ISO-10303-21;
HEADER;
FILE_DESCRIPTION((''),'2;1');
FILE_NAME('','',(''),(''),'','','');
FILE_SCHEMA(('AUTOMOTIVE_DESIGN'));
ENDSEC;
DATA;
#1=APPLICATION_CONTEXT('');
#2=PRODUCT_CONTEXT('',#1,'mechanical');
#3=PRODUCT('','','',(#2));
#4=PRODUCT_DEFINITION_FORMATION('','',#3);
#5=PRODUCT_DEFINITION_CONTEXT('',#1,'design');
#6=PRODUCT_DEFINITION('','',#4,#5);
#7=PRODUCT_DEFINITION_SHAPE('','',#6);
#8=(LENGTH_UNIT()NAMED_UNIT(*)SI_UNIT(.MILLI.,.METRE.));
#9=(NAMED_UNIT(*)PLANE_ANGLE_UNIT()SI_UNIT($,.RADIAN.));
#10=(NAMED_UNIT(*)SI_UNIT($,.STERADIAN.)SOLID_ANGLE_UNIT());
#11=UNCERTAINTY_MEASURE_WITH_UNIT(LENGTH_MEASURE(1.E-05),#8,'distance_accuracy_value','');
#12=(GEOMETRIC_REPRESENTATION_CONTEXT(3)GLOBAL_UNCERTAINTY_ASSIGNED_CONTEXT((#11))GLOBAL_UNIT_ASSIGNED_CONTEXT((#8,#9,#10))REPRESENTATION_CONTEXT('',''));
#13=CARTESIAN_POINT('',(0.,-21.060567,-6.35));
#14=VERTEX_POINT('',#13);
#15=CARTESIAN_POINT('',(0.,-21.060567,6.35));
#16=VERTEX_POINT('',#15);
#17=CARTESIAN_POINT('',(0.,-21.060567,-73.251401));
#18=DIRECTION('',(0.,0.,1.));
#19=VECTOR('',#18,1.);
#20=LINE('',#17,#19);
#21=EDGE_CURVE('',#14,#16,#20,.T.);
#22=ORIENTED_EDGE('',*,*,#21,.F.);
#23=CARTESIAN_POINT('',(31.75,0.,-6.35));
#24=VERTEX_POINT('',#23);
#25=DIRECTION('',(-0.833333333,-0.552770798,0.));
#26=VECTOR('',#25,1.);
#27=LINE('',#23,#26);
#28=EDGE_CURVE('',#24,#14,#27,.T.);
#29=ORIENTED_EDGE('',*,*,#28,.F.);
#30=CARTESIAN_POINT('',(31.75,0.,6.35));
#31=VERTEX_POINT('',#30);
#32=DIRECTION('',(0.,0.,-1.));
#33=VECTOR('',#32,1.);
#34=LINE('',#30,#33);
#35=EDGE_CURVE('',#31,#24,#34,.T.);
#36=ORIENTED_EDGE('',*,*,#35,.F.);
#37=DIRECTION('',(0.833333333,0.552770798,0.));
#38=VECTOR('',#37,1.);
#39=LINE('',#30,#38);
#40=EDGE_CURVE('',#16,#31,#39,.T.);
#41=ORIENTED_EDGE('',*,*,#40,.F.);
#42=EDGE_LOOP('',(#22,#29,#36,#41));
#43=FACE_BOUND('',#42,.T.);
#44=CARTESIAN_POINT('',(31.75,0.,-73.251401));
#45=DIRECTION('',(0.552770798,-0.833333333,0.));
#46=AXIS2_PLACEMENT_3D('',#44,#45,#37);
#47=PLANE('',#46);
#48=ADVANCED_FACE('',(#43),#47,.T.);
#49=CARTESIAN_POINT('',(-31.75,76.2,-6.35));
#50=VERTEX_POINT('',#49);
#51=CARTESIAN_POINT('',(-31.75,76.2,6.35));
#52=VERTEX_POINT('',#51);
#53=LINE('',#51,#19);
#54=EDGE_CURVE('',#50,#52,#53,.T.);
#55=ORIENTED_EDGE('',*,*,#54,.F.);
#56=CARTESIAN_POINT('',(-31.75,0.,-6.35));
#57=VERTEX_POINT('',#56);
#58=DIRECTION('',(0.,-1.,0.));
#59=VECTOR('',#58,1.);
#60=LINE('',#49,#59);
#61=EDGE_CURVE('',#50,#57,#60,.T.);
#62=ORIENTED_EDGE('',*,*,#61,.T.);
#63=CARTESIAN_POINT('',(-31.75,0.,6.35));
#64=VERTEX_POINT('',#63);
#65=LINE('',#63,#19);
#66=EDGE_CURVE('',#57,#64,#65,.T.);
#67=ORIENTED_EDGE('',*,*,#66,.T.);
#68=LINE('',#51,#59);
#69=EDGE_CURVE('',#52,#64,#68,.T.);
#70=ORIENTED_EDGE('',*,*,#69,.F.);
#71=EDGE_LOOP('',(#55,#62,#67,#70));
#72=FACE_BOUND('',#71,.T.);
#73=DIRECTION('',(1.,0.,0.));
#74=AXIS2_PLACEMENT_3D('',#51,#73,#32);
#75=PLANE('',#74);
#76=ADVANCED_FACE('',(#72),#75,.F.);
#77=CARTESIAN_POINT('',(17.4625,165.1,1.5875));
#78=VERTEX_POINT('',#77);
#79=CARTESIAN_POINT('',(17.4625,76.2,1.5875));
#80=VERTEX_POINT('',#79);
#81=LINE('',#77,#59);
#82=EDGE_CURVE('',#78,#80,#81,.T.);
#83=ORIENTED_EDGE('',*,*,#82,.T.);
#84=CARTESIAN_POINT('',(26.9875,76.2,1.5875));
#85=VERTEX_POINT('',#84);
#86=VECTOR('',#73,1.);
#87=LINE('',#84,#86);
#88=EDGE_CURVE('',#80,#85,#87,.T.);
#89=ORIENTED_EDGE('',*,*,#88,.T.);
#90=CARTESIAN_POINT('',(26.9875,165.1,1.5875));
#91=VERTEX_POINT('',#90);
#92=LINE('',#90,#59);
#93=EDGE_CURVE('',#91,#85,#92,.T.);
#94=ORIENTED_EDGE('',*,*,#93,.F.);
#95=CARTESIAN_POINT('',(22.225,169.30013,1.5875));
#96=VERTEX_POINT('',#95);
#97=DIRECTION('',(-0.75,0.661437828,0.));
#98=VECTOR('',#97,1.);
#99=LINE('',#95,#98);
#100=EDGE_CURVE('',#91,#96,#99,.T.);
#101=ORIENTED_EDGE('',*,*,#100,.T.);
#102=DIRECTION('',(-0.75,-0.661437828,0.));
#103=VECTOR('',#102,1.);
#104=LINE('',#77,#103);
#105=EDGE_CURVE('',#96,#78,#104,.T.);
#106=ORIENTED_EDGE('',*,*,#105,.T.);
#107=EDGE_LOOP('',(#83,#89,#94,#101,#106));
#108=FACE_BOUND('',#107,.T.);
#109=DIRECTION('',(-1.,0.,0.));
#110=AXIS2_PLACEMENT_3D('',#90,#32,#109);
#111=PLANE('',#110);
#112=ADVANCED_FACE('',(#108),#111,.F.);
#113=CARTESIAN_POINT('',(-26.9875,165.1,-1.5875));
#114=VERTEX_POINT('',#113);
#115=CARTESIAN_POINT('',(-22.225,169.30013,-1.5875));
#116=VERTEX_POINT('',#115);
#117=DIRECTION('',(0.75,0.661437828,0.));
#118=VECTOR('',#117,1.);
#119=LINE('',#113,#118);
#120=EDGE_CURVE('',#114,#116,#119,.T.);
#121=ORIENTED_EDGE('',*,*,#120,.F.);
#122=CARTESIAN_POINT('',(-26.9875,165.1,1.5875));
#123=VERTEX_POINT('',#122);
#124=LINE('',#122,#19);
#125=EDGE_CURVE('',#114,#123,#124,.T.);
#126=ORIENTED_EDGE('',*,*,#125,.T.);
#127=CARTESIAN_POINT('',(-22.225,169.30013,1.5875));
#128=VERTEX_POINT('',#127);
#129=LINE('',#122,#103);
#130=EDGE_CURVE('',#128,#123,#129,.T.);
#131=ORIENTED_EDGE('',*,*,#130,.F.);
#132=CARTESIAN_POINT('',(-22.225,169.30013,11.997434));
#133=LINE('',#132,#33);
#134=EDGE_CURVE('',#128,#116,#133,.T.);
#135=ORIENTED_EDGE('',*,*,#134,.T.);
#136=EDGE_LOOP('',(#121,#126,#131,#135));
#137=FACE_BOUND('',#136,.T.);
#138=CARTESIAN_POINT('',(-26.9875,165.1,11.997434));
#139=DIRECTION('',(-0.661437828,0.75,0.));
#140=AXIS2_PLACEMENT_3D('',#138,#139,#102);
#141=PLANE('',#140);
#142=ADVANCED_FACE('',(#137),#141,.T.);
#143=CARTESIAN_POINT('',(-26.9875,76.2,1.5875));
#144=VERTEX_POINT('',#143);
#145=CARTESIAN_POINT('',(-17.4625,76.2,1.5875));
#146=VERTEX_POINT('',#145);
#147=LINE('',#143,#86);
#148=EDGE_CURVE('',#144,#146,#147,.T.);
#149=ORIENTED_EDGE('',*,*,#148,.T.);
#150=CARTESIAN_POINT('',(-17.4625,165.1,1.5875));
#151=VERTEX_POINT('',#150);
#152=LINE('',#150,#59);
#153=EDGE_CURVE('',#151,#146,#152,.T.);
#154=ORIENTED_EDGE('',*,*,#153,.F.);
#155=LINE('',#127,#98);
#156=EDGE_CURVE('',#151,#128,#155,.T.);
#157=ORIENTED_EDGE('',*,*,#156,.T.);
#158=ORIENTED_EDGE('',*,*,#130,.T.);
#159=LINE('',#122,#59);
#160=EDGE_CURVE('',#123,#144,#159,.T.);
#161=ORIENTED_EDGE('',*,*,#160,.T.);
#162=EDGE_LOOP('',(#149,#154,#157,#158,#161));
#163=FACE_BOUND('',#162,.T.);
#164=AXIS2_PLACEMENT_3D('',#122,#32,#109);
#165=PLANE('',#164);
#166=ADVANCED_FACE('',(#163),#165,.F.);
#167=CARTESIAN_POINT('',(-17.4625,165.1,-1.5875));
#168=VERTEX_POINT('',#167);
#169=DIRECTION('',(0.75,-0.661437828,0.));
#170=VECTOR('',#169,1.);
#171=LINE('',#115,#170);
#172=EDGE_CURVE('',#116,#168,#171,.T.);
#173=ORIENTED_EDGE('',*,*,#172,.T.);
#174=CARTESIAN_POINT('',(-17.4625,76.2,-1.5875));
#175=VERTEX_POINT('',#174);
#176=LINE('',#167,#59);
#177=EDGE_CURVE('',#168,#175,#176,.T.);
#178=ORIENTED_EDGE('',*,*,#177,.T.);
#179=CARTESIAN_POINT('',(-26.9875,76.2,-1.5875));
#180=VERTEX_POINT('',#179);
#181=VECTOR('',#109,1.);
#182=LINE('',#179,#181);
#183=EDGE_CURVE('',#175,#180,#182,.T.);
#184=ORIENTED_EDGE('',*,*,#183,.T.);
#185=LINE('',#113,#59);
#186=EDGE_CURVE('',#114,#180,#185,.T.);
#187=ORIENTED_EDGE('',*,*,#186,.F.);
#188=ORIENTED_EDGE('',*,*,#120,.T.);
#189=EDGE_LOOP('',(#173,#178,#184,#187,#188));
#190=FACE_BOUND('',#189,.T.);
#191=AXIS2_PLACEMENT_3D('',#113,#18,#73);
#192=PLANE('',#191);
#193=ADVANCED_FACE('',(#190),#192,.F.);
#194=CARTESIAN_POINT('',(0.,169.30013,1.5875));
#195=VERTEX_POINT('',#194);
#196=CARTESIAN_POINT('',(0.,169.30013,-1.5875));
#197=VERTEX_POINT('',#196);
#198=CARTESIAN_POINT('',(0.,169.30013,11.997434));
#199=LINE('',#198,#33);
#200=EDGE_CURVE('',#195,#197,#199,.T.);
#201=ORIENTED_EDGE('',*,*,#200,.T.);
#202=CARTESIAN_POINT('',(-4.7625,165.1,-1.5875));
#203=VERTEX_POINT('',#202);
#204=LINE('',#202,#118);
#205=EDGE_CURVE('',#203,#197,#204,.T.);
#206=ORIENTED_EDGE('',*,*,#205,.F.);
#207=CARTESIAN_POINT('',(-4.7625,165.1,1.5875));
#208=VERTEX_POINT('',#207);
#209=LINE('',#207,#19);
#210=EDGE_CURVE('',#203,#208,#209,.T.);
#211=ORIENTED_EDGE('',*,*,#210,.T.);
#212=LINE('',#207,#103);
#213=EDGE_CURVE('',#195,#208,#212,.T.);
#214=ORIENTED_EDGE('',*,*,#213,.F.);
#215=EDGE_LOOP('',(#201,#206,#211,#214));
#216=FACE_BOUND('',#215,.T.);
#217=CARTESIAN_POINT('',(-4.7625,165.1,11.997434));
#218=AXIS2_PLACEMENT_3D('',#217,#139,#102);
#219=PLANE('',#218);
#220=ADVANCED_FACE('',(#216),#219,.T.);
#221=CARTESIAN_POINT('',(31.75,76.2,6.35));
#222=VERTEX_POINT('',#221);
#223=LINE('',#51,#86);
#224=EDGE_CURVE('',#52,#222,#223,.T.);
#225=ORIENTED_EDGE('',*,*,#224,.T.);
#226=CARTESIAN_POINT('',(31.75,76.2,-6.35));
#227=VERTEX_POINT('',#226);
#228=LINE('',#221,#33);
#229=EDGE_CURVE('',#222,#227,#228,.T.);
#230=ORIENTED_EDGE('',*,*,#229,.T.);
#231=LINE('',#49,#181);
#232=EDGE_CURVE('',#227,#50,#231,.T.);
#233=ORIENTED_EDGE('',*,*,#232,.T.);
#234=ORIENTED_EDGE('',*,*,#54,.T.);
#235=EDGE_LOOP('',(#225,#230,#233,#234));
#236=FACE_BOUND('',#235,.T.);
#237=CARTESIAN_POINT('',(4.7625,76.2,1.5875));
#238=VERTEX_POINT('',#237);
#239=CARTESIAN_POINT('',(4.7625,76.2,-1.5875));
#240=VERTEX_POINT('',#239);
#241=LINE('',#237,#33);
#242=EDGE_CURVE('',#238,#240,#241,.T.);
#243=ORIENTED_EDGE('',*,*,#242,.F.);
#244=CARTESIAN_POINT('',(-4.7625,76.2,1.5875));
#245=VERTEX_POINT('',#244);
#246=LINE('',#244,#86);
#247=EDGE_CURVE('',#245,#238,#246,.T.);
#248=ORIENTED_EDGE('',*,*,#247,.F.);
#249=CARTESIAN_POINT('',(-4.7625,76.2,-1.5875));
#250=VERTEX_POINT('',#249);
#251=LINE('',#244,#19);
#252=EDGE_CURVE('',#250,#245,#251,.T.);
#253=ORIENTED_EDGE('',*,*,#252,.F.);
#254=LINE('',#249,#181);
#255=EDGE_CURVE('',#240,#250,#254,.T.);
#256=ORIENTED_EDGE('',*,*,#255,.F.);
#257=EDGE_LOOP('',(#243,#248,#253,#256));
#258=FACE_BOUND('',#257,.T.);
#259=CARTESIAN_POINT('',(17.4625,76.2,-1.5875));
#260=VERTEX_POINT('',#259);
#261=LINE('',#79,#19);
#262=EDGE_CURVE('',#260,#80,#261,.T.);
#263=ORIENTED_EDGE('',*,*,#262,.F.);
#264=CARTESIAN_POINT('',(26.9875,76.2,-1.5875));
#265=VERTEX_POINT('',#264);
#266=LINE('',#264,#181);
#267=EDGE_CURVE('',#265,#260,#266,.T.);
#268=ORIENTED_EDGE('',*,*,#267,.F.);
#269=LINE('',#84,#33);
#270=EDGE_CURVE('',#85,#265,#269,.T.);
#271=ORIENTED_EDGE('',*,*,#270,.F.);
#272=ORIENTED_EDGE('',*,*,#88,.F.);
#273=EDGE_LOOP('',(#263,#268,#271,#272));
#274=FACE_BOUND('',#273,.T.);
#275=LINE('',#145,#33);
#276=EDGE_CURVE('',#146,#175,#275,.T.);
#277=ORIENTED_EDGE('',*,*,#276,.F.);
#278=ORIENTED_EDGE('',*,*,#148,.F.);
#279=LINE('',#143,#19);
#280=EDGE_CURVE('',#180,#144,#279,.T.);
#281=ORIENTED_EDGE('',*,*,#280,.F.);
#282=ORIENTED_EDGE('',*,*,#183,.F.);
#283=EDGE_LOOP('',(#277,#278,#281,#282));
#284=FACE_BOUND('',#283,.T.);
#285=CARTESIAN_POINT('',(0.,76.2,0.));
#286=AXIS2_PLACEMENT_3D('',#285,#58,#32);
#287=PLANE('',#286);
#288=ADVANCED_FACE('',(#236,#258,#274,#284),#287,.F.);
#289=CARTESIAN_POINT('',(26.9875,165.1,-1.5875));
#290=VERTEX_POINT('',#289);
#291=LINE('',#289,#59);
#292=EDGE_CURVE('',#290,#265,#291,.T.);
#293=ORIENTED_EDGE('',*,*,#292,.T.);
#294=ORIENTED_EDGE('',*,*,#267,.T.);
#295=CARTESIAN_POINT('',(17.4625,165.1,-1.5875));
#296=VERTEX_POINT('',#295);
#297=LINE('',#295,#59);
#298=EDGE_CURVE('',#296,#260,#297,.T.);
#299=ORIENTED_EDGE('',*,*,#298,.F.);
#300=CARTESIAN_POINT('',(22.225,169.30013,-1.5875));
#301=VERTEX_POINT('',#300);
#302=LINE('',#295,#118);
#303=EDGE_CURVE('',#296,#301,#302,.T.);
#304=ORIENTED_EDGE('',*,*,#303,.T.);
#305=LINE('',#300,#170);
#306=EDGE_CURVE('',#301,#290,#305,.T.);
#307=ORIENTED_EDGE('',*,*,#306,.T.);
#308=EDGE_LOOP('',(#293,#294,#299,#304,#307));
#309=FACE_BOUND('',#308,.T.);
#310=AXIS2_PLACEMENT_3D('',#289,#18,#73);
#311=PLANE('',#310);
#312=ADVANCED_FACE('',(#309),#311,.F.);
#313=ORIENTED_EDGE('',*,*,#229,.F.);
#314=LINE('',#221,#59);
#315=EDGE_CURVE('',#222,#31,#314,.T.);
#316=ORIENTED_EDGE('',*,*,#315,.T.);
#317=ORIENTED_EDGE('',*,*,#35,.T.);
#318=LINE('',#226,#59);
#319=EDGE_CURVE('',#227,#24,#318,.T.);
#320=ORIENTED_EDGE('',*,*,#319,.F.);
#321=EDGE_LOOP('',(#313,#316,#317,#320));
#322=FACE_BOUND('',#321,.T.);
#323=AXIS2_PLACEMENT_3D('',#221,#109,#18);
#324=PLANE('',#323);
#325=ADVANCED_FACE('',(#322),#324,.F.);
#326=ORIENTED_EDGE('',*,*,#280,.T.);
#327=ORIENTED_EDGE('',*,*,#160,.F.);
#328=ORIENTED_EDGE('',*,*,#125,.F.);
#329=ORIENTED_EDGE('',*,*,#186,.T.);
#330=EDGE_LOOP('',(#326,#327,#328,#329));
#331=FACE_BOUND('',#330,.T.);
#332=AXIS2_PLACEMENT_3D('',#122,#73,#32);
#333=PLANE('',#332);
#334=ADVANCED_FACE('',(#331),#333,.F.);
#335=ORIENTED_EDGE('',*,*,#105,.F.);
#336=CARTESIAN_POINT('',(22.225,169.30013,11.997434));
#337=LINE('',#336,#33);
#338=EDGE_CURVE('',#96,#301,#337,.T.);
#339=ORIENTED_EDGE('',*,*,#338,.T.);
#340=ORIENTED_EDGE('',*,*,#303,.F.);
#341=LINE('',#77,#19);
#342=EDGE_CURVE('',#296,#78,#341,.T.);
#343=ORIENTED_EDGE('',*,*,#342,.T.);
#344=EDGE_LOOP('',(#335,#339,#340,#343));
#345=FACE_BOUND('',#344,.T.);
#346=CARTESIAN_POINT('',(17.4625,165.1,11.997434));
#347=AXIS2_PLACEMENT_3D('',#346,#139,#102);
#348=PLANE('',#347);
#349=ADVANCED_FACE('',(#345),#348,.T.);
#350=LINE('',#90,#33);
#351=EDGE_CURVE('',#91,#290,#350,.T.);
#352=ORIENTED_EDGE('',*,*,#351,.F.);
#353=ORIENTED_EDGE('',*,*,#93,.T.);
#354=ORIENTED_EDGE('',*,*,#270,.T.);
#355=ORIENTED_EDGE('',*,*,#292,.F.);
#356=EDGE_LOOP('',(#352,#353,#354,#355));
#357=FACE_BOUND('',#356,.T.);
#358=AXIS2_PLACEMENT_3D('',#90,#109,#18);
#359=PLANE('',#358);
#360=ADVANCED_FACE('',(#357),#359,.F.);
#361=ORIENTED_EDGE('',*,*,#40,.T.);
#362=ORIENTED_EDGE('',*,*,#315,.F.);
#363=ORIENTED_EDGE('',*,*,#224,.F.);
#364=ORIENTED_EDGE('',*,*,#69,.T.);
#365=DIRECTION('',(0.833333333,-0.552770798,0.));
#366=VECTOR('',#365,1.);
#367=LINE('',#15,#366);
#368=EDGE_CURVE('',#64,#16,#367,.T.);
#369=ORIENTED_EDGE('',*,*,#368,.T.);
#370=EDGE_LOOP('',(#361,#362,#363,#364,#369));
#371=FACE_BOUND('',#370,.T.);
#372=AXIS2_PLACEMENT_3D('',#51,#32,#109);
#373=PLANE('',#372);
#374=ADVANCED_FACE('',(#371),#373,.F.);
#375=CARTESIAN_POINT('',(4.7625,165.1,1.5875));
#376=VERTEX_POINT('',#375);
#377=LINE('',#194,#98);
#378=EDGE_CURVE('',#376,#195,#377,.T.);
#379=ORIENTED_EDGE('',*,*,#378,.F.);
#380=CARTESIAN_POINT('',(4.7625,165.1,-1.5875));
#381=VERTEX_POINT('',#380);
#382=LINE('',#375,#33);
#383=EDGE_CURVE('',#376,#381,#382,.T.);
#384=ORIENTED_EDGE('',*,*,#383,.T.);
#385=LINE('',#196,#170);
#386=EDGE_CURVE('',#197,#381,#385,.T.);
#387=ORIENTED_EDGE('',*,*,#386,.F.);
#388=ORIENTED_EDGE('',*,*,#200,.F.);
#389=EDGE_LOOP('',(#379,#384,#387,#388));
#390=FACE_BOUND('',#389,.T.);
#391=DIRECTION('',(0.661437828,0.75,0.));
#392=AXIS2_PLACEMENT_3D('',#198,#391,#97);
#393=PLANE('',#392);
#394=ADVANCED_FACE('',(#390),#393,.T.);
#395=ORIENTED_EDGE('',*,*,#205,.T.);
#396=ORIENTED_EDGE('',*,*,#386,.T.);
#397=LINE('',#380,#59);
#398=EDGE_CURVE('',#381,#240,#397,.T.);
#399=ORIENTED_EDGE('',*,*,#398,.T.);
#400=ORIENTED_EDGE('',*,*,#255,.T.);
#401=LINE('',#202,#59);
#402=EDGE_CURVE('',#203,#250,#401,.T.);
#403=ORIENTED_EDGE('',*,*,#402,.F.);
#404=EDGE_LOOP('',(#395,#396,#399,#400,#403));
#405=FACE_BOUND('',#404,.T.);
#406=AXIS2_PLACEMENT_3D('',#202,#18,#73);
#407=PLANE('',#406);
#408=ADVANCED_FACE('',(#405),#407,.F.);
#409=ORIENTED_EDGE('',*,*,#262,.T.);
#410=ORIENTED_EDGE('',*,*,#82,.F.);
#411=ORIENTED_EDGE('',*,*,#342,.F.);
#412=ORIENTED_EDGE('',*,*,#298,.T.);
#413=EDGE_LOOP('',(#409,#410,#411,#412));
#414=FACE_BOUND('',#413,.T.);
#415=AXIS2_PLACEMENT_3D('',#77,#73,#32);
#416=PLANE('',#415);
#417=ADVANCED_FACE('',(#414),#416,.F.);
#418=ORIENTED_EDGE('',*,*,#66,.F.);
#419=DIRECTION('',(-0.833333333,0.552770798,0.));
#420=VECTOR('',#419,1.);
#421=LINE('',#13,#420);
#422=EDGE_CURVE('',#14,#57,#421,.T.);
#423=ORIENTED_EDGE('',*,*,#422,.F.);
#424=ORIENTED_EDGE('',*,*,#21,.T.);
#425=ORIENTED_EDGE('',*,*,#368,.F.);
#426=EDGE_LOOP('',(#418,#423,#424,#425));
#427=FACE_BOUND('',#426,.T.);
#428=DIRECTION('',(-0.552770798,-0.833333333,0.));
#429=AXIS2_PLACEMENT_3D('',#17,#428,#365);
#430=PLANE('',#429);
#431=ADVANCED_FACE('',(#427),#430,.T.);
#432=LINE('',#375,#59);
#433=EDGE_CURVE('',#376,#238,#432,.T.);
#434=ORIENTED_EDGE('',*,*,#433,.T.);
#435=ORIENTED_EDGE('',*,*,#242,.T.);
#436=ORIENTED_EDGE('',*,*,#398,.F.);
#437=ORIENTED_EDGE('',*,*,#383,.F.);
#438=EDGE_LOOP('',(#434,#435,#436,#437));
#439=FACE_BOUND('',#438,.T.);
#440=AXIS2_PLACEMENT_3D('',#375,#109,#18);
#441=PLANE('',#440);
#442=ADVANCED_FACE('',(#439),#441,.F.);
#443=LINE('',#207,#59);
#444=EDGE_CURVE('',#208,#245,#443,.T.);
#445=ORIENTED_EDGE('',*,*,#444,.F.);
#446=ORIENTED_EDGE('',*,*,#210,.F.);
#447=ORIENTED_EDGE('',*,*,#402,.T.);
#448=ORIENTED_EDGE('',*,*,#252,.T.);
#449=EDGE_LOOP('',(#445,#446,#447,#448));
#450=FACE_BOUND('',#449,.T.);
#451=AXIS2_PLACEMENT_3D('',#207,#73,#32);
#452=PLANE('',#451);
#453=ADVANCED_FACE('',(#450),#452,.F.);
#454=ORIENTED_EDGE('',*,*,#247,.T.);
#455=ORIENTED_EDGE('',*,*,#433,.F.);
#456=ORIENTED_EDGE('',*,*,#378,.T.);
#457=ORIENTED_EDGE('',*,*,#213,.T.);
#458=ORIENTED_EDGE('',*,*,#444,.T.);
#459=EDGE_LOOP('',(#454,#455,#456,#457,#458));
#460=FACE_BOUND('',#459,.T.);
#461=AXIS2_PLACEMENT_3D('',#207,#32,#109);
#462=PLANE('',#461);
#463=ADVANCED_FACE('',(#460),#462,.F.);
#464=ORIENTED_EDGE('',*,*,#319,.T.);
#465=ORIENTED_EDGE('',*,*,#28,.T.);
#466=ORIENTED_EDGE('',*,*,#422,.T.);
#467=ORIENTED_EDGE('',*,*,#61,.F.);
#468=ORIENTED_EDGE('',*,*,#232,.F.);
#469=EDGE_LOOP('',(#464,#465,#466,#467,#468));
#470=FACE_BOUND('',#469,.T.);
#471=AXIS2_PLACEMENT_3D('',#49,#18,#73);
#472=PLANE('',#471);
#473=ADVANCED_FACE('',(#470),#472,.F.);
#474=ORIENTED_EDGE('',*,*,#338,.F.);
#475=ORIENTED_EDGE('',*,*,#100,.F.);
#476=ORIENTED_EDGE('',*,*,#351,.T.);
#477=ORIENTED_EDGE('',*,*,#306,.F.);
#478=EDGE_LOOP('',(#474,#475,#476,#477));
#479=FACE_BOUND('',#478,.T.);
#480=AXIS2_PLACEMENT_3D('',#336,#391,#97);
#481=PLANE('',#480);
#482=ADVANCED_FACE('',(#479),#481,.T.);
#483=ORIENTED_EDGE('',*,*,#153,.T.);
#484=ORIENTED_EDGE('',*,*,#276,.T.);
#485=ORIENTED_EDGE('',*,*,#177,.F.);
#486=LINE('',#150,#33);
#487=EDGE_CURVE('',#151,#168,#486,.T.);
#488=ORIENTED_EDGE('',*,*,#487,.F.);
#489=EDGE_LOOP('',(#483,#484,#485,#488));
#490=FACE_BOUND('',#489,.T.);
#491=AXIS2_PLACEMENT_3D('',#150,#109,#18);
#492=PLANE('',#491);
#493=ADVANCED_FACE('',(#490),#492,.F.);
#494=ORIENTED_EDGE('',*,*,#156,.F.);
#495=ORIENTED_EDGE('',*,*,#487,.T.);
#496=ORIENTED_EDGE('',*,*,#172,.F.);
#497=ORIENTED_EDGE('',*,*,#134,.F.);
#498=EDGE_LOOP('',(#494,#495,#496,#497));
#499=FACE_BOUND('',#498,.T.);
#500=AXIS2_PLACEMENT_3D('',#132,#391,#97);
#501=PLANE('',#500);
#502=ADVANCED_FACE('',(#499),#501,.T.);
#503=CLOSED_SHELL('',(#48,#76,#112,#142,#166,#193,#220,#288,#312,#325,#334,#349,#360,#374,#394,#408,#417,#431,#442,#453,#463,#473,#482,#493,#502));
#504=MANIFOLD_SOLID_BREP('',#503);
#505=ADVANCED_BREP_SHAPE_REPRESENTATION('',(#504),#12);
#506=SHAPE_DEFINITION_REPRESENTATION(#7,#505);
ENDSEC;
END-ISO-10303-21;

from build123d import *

# Parameters (mm, degrees)
SKETCH1_W           = 63.5
SKETCH1_H           = 12.7
BOSS_EXTRUDE1_DEPTH = 76.2
SKETCH2_W           = 9.525
SKETCH2_H           = 3.175
BOSS_EXTRUDE2_DEPTH = 88.9
BOSS_EXTRUDE3_DEPTH = 3.175
BOSS_EXTRUDE4_DEPTH = 12.7


with BuildPart() as part:
    # Sketch1 → Boss-Extrude1 (new body)
    with BuildSketch(Plane(origin=(0, 0, 0), x_dir=(1, 0, 0), z_dir=(0, 1, 0))):
        Rectangle(SKETCH1_W, SKETCH1_H)
    extrude(amount=BOSS_EXTRUDE1_DEPTH)

    # Sketch2 → Boss-Extrude2 (add)
    with BuildSketch(Plane(origin=(0, 76.2, 0), x_dir=(1, 0, 0), z_dir=(0, 1, 0))):
        Rectangle(SKETCH2_W, SKETCH2_H)
        with Locations((-22.225, 0)):
            Rectangle(SKETCH2_W, SKETCH2_H)
        with Locations((22.225, 0)):
            Rectangle(SKETCH2_W, SKETCH2_H)
    extrude(amount=BOSS_EXTRUDE2_DEPTH)

    # Sketch3 → Boss-Extrude3 (add)
    with BuildSketch(Plane(origin=(0, 0, -1.5875), x_dir=(-1, 0, 0), z_dir=(0, 0, -1))):
        Polygon((-26.9875, 165.1), (-17.4625, 165.1), (-22.225, 169.300130206), align=None)
        Polygon((-4.7625, 165.1), (4.7625, 165.1), (0, 169.300130206), align=None)
        Polygon((17.4625, 165.1), (26.9875, 165.1), (22.225, 169.300130206), align=None)
    extrude(amount=-BOSS_EXTRUDE3_DEPTH)

    # Sketch4 → Boss-Extrude4 (add)
    with BuildSketch(Plane.XY.offset(6.35)):
        Polygon((31.75, 0), (0, -21.060567419), (-31.75, 0), align=None)
    extrude(amount=-BOSS_EXTRUDE4_DEPTH)


solid = part.part
